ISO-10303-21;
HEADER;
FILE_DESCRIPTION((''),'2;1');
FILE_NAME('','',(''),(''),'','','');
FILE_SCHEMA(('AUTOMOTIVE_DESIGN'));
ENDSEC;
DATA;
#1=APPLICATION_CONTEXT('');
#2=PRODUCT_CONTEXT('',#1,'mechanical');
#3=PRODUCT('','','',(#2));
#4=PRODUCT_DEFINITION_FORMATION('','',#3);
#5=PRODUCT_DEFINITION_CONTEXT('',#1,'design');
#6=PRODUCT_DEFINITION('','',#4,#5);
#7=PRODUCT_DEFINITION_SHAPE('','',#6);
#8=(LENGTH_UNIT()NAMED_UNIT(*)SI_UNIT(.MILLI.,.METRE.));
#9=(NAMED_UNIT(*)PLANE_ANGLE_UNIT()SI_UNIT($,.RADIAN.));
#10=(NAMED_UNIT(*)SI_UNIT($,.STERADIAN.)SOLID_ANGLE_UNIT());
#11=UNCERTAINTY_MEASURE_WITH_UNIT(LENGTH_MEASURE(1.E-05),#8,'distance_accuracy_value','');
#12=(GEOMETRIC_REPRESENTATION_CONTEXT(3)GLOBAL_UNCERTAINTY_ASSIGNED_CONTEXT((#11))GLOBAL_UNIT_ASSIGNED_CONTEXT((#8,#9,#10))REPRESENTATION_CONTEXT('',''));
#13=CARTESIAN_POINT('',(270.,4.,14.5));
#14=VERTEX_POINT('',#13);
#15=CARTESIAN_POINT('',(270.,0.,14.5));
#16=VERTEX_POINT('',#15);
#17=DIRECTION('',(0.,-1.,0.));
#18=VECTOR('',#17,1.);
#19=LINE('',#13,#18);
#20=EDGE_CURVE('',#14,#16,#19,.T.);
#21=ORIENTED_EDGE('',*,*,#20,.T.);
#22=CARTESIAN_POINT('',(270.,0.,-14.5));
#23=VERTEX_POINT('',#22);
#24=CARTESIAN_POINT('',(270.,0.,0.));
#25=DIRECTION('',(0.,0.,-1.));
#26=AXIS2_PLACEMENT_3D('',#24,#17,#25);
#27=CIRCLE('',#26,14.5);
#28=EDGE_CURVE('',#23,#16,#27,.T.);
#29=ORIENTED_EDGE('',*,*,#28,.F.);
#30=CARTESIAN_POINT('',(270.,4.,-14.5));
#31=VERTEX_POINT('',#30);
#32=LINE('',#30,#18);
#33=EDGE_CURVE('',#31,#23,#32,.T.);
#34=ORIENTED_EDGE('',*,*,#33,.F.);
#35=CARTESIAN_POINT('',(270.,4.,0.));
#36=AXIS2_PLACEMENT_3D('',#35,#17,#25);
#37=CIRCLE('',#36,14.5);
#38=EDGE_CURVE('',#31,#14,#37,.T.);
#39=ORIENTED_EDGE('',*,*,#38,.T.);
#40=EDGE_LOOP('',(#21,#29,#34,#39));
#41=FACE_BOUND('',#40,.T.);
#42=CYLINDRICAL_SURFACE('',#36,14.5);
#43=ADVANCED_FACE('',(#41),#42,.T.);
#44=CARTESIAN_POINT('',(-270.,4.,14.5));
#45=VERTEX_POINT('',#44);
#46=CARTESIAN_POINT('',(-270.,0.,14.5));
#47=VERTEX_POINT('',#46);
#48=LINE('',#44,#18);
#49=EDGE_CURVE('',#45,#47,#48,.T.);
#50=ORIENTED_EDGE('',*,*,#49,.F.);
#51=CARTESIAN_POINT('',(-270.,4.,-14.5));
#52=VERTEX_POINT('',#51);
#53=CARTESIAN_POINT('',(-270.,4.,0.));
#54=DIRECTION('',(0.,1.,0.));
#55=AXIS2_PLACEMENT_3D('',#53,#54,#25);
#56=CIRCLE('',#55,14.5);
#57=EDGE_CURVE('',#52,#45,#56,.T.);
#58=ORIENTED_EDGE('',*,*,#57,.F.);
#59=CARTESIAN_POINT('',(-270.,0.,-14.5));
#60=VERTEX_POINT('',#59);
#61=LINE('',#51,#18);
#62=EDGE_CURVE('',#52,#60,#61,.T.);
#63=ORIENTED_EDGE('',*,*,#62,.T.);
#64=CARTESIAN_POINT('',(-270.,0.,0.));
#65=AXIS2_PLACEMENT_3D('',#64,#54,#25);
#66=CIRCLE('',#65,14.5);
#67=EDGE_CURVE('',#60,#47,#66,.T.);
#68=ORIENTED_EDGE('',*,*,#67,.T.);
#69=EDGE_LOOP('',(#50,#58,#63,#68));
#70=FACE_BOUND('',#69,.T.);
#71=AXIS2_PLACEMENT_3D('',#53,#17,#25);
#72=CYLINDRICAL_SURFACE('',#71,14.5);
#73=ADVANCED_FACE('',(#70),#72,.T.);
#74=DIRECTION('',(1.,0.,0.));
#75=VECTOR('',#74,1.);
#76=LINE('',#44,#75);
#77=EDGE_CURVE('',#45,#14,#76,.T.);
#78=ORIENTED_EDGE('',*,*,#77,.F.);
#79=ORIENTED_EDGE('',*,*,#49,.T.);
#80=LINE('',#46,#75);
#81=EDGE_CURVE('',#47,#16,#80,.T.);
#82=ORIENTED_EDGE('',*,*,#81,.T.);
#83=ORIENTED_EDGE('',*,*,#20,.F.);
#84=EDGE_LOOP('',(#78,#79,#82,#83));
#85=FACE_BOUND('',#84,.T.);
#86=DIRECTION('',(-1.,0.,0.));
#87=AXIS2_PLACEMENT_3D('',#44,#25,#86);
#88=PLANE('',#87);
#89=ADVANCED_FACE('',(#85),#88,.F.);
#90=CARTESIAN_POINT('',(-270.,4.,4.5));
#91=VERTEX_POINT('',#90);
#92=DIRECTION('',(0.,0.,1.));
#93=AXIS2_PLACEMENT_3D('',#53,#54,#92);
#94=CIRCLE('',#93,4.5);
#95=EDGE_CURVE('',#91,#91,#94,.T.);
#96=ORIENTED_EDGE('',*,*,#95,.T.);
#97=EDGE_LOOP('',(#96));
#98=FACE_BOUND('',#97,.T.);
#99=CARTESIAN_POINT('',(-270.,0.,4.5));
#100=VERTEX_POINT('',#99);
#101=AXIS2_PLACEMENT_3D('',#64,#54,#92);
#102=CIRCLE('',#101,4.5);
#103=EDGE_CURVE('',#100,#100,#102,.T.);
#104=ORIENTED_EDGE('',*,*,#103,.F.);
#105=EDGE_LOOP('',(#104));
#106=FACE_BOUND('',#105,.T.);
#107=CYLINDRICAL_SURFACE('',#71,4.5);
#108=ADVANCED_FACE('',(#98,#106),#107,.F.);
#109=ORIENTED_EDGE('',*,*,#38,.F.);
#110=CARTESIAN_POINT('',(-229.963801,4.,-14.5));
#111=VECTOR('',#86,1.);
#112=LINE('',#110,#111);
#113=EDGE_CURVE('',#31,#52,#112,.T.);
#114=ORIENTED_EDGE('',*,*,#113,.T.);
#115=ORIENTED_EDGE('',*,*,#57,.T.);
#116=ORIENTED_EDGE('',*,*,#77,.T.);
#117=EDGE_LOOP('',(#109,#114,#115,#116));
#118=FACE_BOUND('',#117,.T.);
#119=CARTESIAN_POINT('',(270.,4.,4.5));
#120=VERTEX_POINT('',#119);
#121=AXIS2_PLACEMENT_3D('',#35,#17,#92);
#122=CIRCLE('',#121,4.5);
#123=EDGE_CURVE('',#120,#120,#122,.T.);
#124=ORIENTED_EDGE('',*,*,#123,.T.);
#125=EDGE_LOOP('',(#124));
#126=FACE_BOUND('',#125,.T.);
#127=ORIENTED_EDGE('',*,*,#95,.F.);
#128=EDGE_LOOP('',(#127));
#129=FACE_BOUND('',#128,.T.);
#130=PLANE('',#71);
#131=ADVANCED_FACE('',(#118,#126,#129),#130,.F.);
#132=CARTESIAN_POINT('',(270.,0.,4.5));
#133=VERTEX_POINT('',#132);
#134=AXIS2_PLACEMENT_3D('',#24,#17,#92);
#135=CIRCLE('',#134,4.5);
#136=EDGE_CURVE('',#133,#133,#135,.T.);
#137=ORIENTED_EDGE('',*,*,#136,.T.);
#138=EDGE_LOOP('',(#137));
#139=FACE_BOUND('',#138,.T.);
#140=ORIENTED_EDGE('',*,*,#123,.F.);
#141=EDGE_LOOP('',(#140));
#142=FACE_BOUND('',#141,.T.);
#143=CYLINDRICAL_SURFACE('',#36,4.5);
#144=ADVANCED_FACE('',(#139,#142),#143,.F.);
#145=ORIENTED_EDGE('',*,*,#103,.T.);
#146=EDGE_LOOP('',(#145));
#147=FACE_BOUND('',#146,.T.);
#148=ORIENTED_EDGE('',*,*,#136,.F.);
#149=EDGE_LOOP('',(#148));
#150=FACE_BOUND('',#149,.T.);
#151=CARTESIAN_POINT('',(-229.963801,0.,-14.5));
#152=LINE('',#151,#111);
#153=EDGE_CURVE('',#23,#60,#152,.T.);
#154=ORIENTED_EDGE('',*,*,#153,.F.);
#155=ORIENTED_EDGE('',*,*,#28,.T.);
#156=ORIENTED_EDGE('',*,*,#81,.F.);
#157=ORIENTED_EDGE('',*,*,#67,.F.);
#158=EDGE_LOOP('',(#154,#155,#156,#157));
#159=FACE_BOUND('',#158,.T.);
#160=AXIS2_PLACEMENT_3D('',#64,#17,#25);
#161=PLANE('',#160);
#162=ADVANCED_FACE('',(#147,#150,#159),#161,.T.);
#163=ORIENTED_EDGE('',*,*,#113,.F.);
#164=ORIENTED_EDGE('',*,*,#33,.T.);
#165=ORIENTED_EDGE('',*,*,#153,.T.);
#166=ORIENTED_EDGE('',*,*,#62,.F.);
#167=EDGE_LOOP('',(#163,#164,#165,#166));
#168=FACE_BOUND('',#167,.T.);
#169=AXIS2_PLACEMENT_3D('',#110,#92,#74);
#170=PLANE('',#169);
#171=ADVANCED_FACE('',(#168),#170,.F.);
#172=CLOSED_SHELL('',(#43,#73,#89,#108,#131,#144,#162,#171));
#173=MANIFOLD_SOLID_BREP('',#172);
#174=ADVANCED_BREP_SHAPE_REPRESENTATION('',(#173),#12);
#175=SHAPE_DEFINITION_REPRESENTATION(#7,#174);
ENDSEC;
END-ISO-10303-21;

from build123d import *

# Parameters (mm, degrees)
SKETCH1_R           = 4.5
SKETCH1_R_2         = 6.5
SKETCH1_R_3         = 1.75
BOSS_EXTRUDE1_DEPTH = 4
SKETCH2_R           = 2
CUT_EXTRUDE1_DEPTH  = 4
SKETCH3_W           = 459.927601586
SKETCH3_H           = 370.798064125
CUT_EXTRUDE2_DEPTH  = 10


with BuildPart() as part:
    # Sketch1 → Boss-Extrude1 (new body)
    with BuildSketch(Plane(origin=(0, 0, 0), x_dir=(1, 0, 0), z_dir=(0, 1, 0))):
        with BuildLine():
            Line((-270, -14.5), (0, -14.5))
            Line((0, -14.5), (0, 340))
            Line((0, 340), (-175.463800793, 340))
            ThreePointArc((-175.463800793, 340), (-185.71684912, 335.753048327), (-189.963800793, 325.5))
            Line((-189.963800793, 325.5), (-189.963800793, 225.606590828))
            ThreePointArc((-189.963800793, 225.606590828), (-204.963800793, 210.606590828), (-189.963800793, 195.606590828))
            Line((-189.963800793, 195.606590828), (-189.963800793, 54.5))
            Line((-189.963800793, 54.5), (-229.963800793, 14.5))
            Line((-229.963800793, 14.5), (-270, 14.5))
            ThreePointArc((-270, 14.5), (-284.5, 0), (-270, -14.5))
        make_face()
        with Locations(Location((-270, 0, 0), (0, 0, 270))):
            Circle(SKETCH1_R, mode=Mode.SUBTRACT)
        with Locations(Location((-175.463800793, 325.5, 0), (0, 0, 270))):
            Circle(SKETCH1_R, mode=Mode.SUBTRACT)
        with Locations(Location((-189.963800793, 210.606590828, 0), (0, 0, 270))):
            Circle(SKETCH1_R_2, mode=Mode.SUBTRACT)
        with Locations(Location((-180.213800793, 210.606590828, 0), (0, 0, 270))):
            Circle(SKETCH1_R_3, mode=Mode.SUBTRACT)
        with Locations(Location((-189.963800793, 220.406590828, 0), (0, 0, 270))):
            Circle(SKETCH1_R_3, mode=Mode.SUBTRACT)
        with Locations(Location((-189.963800793, 200.806590828, 0), (0, 0, 270))):
            Circle(SKETCH1_R_3, mode=Mode.SUBTRACT)
        with Locations(Location((-199.713800793, 210.606590828, 0), (0, 0, 270))):
            Circle(SKETCH1_R_3, mode=Mode.SUBTRACT)
    boss_extrude1 = extrude(amount=BOSS_EXTRUDE1_DEPTH)

    # Mirror1: Boss-Extrude1 across plane
    add(boss_extrude1.mirror(Plane(origin=(0, 4, -340), x_dir=(0, 0, 1), z_dir=(-1, 0, 0))))

    # Sketch2 → Cut-Extrude1 (cut)
    with BuildSketch(Plane(origin=(0, 4, 0), x_dir=(1, 0, 0), z_dir=(0, 1, 0))):
        with Locations(Location((0, 305.5, 0), (0, 0, 270))):
            Circle(SKETCH2_R)
    extrude(amount=-CUT_EXTRUDE1_DEPTH, mode=Mode.SUBTRACT)

    # Sketch3 → Cut-Extrude2 (cut)
    with BuildSketch(Plane(origin=(0, 4, 0), x_dir=(1, 0, 0), z_dir=(0, 1, 0))):
        with Locations((0, 199.899032062)):
            Rectangle(SKETCH3_W, SKETCH3_H)
    extrude(amount=-CUT_EXTRUDE2_DEPTH, mode=Mode.SUBTRACT)


solid = part.part
